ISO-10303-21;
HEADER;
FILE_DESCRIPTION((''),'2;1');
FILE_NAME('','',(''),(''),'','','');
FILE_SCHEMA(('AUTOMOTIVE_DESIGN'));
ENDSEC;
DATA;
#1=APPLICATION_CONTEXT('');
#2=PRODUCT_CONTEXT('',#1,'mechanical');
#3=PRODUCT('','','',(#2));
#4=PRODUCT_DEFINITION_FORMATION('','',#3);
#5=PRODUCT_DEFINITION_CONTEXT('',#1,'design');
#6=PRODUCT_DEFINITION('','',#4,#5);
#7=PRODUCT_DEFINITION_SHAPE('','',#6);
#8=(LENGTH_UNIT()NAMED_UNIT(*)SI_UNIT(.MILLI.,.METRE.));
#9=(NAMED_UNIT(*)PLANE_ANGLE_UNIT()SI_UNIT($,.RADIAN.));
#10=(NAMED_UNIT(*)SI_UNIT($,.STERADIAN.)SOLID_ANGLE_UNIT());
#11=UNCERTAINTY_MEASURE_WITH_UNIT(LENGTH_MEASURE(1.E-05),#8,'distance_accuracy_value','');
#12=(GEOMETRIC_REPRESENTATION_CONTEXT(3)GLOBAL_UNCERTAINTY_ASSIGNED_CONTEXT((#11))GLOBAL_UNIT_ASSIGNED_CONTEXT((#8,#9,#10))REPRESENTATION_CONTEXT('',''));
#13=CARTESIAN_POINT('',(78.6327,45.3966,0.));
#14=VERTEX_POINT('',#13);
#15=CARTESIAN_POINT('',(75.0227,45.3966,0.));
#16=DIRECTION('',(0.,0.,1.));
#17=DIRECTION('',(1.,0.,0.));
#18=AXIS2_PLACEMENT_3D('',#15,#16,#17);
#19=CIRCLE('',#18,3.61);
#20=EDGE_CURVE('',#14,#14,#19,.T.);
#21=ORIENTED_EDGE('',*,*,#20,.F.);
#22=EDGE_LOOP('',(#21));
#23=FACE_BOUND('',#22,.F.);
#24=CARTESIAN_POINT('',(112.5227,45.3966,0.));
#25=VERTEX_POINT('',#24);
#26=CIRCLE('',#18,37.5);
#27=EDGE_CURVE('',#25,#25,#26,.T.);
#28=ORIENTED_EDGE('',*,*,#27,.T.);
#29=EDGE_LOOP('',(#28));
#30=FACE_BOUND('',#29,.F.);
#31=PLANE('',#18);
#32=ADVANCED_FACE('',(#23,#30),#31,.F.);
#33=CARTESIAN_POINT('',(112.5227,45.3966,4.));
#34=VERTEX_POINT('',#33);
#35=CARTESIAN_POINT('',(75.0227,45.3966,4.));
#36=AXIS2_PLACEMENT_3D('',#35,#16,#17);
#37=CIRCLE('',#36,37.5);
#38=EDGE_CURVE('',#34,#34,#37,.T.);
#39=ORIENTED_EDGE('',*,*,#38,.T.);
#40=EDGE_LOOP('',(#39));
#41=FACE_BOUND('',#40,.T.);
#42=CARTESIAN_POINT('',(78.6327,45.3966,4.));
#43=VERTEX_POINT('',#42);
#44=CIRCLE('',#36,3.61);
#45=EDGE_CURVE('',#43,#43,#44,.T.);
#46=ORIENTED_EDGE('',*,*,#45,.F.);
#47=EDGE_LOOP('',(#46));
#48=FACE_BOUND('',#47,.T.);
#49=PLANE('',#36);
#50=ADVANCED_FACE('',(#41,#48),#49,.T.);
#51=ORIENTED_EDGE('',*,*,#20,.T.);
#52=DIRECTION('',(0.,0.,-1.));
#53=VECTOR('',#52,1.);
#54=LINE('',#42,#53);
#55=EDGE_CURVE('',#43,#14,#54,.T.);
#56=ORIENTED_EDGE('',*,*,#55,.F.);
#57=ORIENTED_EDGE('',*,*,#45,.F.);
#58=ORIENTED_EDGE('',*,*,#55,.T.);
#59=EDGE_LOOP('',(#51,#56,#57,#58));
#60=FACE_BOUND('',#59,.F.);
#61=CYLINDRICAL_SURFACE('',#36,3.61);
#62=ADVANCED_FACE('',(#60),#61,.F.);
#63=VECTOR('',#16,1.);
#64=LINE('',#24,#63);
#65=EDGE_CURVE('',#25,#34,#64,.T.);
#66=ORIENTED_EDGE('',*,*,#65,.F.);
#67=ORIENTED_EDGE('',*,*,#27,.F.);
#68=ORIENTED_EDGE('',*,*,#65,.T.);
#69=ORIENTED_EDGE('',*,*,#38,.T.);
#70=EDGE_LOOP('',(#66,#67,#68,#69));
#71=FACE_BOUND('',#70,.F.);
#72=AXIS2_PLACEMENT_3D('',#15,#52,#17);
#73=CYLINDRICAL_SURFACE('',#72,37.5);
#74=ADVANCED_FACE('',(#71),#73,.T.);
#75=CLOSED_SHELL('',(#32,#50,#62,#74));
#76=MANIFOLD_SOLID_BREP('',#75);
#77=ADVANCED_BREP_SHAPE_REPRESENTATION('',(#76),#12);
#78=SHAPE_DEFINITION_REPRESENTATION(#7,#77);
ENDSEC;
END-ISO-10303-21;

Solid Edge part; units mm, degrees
sketch "Sketch1" plane through (0, 0, 0) normal (0, 0, 1) x (1, 0, 0)
  circle A0 centre (75.0227, 45.3966) radius 37.5
  dimension "D1" = 75
extrude "Protrusion1" add sketch "Sketch1" along normal blind 4
sketch "Sketch2" plane through (75.0227, 45.3966, 4) normal (0, 0, 1) x (1, 0, 0)
  circle A0 centre (0, 0) radius 3.61
extrude "Cutout1" cut sketch "Sketch2" against normal through all
